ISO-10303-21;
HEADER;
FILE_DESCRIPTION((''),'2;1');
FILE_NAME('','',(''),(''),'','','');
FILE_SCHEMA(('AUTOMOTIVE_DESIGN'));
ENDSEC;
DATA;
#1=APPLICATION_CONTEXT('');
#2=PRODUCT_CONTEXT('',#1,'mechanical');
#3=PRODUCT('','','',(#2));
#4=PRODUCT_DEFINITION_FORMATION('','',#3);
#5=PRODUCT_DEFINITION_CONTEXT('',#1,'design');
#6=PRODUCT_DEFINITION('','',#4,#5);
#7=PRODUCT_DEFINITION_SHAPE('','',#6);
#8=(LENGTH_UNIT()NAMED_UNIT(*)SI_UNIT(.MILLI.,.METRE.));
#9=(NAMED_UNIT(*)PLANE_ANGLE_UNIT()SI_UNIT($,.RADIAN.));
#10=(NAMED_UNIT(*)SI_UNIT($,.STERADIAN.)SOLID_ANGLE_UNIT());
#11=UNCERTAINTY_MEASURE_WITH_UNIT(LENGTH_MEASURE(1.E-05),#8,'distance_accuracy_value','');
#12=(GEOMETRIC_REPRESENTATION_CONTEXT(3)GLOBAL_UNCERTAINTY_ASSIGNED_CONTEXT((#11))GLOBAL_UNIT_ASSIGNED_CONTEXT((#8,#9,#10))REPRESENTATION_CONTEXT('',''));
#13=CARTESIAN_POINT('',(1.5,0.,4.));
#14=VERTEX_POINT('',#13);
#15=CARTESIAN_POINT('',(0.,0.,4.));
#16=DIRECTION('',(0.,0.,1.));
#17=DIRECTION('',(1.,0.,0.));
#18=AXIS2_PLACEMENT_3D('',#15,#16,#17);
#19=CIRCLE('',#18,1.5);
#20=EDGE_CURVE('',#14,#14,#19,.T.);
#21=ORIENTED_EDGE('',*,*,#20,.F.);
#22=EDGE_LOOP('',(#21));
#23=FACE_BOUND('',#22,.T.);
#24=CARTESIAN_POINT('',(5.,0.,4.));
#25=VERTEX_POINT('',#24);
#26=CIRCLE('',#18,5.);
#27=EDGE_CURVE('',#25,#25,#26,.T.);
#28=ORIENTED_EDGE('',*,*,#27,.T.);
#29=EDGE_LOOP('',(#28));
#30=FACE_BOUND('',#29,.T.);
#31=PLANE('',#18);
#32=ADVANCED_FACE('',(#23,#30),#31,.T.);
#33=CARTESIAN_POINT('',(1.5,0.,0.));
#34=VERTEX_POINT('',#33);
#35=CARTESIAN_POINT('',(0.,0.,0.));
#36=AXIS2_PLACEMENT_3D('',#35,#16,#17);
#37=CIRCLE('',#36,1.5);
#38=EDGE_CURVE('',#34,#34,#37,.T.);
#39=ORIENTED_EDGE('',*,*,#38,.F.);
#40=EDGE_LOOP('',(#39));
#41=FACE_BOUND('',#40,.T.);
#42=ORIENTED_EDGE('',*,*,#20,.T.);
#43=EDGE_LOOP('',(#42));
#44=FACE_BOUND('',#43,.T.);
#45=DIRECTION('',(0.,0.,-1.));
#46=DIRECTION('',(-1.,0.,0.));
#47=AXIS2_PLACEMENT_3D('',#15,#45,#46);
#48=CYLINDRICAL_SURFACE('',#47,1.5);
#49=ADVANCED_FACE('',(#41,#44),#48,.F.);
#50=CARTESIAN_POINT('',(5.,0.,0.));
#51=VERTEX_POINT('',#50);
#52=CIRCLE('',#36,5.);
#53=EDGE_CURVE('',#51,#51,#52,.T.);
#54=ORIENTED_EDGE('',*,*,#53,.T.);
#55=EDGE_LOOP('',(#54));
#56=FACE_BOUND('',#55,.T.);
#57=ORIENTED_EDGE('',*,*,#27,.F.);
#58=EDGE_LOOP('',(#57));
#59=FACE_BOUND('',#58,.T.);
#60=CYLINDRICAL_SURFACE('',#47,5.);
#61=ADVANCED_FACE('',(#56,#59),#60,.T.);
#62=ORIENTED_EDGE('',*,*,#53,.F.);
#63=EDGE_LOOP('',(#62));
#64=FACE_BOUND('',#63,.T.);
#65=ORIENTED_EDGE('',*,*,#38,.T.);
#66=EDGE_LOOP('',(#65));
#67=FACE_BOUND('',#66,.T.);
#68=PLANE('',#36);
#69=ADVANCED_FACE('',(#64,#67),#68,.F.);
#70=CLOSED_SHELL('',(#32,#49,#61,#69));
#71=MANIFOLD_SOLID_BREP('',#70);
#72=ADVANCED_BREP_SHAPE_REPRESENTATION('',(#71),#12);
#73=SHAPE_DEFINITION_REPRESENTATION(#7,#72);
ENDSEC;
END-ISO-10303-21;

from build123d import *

# Parameters (mm, degrees)
SKETCH_1_R      = 5
SKETCH_1_R_2    = 1.5
EXTRUDE_1_DEPTH = 4


with BuildPart() as part:
    # Эскиз1 → Бобышка-Вытянуть1 (new body)
    with BuildSketch(Plane.XY):
        Circle(SKETCH_1_R)
        Circle(SKETCH_1_R_2, mode=Mode.SUBTRACT)
    extrude(amount=EXTRUDE_1_DEPTH)


solid = part.part
